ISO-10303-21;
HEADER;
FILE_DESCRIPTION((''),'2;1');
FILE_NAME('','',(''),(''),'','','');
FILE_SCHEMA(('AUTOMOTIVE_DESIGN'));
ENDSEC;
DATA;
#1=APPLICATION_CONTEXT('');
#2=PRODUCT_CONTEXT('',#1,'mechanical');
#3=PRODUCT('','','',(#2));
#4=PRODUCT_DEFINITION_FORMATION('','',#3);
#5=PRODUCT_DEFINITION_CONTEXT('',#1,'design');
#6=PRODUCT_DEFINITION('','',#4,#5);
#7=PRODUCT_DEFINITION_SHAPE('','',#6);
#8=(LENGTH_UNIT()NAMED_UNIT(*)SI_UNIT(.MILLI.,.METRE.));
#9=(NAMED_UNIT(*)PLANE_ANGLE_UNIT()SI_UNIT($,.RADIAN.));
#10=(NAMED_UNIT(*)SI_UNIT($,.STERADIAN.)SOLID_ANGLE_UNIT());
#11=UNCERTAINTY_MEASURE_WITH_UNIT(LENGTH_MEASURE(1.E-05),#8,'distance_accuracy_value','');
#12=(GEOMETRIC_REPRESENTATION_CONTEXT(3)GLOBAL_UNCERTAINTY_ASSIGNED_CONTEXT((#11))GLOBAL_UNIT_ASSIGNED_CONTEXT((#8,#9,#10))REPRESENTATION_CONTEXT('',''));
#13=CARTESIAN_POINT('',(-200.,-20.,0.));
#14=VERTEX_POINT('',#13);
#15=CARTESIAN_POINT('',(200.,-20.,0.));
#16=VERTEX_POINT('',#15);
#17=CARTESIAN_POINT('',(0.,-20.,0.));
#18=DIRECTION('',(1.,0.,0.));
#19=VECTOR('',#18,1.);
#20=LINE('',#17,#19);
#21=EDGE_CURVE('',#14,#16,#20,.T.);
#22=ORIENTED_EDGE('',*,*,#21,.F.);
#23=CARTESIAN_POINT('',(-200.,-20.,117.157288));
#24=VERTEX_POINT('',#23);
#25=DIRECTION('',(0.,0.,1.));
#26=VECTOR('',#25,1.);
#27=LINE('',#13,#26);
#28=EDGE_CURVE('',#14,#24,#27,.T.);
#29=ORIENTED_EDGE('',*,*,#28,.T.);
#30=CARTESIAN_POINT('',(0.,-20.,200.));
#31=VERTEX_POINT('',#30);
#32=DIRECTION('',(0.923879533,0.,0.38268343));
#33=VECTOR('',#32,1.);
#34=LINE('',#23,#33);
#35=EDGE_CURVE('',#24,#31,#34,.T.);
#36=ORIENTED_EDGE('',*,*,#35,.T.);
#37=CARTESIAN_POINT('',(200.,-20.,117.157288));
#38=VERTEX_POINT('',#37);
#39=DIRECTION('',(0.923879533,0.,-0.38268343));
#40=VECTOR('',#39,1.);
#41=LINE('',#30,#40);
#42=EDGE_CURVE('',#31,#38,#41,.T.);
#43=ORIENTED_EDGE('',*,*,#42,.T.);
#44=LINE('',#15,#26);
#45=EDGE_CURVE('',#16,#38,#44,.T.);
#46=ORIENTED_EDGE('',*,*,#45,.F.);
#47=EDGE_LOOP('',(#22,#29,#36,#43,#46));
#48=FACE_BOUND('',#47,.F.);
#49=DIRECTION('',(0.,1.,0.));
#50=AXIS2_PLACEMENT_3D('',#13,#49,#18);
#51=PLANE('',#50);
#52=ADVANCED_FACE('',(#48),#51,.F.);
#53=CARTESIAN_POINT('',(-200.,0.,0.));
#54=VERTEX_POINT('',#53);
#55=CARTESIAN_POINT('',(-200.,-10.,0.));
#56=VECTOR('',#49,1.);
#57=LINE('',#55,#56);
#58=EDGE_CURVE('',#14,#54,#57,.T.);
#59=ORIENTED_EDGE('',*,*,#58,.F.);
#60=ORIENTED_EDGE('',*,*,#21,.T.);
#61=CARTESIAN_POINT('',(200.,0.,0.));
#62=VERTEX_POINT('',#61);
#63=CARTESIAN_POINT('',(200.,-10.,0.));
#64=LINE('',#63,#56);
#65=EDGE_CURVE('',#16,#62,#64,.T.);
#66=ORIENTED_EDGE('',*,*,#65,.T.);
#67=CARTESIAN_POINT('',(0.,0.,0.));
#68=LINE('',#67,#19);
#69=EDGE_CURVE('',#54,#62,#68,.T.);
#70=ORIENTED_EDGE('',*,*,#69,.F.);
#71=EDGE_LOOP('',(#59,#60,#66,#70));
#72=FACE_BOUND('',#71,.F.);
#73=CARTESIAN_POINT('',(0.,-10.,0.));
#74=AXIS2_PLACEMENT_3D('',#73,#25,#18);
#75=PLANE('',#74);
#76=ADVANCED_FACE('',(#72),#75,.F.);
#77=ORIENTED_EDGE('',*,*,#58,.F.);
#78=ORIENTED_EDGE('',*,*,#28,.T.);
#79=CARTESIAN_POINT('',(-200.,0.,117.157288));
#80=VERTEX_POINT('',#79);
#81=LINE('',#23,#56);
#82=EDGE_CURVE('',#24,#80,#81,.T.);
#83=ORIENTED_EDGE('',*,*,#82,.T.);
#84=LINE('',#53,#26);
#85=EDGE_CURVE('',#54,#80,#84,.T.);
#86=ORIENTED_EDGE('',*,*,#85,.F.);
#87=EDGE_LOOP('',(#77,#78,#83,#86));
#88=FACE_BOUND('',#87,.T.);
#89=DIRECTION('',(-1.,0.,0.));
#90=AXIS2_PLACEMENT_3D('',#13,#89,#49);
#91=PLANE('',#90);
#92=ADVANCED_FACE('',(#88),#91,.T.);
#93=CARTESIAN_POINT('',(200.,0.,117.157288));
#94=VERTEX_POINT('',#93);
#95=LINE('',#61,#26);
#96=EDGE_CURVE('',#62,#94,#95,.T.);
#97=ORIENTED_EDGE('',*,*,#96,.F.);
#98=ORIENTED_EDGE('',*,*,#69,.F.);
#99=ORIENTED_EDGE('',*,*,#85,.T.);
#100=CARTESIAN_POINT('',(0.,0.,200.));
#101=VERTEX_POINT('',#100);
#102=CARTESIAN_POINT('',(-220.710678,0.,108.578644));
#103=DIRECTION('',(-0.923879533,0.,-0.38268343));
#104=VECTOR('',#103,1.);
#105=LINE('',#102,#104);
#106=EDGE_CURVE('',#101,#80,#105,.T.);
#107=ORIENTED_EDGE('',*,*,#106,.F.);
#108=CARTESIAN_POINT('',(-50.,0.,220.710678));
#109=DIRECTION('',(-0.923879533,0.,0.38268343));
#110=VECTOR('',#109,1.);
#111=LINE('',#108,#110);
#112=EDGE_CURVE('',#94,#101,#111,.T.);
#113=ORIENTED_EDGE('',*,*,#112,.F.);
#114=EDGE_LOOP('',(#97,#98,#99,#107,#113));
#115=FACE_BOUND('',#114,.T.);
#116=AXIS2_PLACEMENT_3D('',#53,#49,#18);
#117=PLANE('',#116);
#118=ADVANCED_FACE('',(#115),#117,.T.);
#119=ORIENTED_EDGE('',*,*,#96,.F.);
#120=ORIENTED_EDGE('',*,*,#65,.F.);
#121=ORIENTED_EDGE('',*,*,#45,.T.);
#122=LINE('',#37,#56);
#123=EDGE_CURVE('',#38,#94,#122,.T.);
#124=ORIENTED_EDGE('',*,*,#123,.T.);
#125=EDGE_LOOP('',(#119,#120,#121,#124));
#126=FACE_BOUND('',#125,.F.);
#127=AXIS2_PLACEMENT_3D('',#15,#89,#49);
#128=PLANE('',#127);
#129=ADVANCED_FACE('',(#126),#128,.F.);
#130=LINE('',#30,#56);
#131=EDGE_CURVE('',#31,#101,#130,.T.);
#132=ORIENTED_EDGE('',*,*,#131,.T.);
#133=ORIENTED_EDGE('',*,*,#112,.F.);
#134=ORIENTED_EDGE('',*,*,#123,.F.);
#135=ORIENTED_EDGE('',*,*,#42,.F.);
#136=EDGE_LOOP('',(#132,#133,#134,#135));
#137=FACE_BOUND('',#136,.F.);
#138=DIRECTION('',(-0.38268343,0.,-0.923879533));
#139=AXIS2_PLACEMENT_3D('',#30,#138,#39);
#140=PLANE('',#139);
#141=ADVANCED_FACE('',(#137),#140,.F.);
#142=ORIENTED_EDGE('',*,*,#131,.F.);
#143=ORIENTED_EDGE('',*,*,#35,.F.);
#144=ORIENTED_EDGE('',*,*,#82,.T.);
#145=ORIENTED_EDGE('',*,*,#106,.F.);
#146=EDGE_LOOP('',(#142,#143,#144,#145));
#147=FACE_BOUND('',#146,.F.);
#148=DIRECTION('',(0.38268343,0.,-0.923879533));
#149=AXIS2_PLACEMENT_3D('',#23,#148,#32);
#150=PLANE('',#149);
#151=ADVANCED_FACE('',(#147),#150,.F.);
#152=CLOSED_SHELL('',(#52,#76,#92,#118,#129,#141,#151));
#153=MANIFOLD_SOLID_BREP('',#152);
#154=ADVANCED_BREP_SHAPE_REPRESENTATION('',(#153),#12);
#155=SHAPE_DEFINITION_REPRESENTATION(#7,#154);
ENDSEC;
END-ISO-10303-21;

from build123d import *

# Parameters (mm, degrees)
F0_W     = 400
F0_H     = 20
F1_DEPTH = 200
F4_DEPTH = 20.001
F6_DEPTH = 20.001


with BuildPart() as f1:
    # F0 (on Top) → F1 (new body)
    with BuildSketch(Plane.XY):
        with Locations((0, -10)):
            Rectangle(F0_W, F0_H)
    extrude(amount=F1_DEPTH)

    # F3 (on face) → F4 (cut, through all)
    with BuildSketch(Plane.XZ.offset(20)):
        Polygon((-200, 117.157288), (0, 200), (-200, 200), align=None)
    extrude(amount=-F4_DEPTH, mode=Mode.SUBTRACT)

    # F5 (on face) → F6 (cut, through all)
    with BuildSketch(Plane.XZ.offset(20)):
        Polygon((200, 200), (0, 200), (200, 117.157288), align=None)
    extrude(amount=-F6_DEPTH, mode=Mode.SUBTRACT)


solid = f1.part
